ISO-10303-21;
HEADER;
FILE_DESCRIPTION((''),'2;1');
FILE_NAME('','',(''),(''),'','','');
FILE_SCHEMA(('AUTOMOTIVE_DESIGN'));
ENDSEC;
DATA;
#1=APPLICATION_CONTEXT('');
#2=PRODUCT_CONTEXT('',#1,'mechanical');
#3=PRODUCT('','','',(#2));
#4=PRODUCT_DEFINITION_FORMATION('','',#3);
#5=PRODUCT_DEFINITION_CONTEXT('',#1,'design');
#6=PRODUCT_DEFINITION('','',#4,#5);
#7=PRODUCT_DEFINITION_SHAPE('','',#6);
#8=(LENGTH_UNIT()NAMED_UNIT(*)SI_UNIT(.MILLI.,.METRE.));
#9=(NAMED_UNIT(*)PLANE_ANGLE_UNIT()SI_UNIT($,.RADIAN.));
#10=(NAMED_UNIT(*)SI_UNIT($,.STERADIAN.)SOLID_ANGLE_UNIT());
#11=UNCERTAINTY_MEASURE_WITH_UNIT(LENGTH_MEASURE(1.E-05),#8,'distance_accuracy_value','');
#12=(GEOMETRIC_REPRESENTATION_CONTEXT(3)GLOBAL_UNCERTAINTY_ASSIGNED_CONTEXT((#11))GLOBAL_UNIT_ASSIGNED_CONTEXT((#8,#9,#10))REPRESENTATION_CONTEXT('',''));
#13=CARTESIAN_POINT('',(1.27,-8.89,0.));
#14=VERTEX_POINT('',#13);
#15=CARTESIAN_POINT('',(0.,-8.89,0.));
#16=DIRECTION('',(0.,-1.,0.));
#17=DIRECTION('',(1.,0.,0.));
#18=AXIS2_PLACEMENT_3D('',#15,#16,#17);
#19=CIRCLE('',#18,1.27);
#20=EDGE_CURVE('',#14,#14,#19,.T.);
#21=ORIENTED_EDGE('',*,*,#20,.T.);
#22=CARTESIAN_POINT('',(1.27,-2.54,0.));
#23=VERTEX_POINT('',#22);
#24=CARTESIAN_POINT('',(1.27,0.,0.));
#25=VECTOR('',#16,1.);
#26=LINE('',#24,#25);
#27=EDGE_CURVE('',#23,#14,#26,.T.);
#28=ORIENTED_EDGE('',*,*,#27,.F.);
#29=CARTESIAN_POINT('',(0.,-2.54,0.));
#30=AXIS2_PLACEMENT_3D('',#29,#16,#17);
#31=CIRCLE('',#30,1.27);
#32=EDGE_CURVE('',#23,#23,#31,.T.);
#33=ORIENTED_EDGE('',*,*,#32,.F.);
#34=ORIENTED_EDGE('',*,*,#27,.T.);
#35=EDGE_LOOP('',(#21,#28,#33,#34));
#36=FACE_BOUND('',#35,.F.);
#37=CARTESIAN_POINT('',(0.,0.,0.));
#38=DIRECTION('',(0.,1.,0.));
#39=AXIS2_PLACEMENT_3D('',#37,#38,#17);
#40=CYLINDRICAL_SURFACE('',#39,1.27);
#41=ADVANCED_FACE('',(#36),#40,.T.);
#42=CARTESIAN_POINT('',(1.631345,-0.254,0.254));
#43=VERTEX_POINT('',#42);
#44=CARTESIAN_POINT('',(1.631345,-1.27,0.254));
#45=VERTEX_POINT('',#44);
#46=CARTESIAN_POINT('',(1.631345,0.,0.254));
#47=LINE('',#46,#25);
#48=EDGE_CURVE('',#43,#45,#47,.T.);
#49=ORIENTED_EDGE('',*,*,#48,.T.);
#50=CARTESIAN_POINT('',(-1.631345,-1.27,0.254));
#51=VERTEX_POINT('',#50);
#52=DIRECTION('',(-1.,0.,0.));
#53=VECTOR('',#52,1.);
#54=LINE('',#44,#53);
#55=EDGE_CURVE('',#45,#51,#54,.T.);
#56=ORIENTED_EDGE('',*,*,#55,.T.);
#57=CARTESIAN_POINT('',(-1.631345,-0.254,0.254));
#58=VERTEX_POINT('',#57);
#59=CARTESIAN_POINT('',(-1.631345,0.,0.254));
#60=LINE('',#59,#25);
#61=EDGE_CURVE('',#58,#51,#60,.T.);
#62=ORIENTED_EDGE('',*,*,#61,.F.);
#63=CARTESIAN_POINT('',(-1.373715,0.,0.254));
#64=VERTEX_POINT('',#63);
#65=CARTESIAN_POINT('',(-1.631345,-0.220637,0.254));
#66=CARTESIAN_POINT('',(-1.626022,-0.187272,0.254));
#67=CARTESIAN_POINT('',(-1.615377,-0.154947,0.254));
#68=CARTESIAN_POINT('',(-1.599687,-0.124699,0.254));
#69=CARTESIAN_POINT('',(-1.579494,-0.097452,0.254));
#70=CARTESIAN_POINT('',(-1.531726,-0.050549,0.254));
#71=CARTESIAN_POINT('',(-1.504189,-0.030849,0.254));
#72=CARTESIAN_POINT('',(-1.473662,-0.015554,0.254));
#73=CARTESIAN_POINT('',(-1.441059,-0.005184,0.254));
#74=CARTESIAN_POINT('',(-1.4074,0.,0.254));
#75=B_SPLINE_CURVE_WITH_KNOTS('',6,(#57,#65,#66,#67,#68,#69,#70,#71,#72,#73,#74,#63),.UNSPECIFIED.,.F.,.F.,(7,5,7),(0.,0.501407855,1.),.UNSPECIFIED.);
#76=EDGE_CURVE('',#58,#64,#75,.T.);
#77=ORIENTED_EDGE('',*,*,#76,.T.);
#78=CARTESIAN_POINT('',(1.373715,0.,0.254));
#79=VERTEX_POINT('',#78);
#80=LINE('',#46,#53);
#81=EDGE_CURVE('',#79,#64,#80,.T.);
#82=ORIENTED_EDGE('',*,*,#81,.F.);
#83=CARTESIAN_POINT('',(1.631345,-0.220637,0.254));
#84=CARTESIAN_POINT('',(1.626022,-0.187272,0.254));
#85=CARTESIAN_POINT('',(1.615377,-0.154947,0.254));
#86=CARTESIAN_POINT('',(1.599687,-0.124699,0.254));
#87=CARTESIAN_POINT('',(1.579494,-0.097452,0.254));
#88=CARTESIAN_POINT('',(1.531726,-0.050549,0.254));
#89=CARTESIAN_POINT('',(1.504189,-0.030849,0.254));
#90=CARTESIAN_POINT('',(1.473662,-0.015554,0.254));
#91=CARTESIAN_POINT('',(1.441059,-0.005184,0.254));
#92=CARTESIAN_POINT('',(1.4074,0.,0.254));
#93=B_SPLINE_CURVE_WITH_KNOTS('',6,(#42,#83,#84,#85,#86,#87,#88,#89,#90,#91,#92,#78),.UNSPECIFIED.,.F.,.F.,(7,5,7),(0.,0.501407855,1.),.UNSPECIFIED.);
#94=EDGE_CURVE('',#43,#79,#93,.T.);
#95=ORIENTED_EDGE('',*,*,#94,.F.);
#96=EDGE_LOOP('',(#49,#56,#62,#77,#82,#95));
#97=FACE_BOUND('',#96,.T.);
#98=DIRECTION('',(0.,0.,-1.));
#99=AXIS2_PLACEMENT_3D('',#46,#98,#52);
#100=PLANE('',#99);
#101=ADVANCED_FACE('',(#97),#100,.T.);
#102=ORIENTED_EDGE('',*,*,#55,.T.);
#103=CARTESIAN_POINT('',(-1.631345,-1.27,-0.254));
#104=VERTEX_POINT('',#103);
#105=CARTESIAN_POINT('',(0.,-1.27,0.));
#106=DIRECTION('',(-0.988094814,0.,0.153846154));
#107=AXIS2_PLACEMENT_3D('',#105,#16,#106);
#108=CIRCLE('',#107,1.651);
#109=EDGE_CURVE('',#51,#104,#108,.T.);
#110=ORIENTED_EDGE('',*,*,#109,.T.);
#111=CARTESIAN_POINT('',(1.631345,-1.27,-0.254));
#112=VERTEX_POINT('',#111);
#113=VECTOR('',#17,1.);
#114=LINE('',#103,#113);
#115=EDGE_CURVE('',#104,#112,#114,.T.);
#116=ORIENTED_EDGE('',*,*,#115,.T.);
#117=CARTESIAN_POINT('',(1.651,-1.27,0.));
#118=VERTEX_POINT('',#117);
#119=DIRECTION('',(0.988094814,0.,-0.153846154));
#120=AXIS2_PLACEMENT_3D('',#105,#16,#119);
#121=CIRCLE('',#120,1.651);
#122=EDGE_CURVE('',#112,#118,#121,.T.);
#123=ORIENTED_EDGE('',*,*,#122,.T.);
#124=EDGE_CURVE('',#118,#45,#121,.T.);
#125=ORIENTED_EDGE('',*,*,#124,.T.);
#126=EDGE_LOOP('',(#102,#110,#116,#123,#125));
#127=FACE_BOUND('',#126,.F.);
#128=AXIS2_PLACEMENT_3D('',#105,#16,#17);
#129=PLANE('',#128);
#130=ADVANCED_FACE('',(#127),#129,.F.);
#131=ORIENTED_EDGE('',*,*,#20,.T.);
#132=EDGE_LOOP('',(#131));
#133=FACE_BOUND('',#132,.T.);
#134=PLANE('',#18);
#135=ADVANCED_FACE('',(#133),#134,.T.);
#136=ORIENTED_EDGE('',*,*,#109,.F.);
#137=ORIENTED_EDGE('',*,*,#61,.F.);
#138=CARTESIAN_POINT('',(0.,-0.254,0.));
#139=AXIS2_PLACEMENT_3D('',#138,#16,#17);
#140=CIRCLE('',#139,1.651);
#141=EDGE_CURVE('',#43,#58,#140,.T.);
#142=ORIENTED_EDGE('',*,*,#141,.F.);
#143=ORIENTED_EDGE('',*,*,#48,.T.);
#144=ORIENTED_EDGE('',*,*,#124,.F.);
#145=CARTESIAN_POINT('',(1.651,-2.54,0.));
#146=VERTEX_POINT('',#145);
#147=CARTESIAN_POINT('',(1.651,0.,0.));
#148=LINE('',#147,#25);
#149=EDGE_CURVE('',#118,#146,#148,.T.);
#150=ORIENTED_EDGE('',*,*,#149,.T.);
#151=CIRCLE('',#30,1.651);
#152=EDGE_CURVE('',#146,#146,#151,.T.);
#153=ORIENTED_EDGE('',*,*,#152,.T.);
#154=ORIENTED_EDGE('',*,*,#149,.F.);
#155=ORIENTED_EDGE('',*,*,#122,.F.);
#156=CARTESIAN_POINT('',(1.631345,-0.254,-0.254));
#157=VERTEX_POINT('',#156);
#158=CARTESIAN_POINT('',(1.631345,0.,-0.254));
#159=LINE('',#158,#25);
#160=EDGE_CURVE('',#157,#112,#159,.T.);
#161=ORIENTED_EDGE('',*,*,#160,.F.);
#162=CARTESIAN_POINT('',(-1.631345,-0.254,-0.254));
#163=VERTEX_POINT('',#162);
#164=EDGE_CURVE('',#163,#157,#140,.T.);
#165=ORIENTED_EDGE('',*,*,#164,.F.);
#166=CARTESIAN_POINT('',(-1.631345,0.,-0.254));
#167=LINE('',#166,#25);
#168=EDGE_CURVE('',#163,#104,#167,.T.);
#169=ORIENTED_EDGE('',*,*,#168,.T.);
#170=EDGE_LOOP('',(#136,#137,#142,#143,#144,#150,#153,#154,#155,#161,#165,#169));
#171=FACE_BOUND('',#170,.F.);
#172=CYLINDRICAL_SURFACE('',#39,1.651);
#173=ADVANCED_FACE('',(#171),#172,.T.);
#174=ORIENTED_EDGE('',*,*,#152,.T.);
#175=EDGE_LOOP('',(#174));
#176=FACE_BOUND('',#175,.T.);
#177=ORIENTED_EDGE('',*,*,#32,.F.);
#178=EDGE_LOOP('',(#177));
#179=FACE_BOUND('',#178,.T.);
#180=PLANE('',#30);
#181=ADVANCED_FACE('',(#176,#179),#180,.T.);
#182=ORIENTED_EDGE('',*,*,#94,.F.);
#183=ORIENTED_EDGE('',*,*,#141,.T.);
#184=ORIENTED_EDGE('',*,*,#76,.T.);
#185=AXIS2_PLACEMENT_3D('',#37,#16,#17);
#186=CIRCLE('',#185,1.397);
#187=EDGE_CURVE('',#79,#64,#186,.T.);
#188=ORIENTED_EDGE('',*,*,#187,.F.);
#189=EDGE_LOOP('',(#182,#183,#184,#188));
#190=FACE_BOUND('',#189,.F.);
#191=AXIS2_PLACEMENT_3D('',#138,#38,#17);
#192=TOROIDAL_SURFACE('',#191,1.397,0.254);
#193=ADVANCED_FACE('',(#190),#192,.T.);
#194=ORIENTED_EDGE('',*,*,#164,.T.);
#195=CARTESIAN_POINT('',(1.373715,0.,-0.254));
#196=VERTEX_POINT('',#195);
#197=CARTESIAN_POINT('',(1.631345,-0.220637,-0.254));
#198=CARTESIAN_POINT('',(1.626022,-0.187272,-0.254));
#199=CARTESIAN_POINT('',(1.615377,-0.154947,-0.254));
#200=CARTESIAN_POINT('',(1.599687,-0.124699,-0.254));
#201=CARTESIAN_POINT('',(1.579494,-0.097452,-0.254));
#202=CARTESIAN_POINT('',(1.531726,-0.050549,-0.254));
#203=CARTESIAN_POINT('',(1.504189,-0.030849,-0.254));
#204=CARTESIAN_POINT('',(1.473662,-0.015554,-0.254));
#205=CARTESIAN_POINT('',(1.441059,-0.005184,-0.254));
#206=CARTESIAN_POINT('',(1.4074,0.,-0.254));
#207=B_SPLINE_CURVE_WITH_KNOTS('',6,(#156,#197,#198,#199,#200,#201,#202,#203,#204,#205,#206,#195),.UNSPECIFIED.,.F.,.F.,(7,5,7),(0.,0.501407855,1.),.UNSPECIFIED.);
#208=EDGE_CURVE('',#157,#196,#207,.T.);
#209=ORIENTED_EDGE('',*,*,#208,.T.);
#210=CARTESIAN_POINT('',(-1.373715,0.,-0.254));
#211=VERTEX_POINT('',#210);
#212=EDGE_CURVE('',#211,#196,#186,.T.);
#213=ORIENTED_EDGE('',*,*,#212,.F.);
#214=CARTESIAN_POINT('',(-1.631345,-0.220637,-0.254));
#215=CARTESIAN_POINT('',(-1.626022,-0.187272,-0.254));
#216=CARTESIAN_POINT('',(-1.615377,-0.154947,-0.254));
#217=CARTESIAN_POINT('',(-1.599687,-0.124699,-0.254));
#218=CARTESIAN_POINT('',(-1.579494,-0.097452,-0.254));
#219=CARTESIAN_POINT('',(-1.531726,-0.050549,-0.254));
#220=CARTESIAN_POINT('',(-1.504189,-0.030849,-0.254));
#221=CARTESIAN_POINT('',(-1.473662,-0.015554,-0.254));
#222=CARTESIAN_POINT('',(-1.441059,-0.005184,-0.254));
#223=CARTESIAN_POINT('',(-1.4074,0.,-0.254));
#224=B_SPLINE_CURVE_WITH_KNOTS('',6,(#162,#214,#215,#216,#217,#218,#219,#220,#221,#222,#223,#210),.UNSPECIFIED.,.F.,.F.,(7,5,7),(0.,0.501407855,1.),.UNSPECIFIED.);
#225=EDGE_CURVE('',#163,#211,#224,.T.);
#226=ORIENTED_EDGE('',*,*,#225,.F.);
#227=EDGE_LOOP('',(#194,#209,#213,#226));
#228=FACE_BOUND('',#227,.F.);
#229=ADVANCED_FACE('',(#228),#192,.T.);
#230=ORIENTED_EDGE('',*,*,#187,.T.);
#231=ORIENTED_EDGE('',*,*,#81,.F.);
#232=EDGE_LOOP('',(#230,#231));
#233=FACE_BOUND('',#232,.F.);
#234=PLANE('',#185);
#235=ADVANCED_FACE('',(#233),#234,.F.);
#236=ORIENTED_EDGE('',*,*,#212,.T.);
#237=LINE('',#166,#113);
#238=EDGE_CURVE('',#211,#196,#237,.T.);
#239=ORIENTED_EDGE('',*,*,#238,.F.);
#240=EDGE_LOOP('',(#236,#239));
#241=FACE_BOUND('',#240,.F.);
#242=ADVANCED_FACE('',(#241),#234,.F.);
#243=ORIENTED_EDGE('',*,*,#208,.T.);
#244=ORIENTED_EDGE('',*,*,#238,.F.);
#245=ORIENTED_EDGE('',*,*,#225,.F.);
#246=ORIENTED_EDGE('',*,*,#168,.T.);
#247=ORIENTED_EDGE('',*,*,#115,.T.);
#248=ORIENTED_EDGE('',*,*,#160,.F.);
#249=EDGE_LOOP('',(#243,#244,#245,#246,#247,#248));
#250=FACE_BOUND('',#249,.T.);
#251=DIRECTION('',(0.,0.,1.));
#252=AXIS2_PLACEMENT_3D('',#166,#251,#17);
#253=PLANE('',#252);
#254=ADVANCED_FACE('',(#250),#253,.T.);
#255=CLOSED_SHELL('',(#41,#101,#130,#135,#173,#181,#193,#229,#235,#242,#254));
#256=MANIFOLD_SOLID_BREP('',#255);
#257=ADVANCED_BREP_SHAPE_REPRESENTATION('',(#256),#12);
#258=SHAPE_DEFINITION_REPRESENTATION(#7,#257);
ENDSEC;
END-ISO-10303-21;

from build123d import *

# Parameters (mm, degrees)
F0_R     = 1.651
F0_R_2   = 1.27
F1_DEPTH = 2.54
F2_DEPTH = 8.89
F3_R     = 0.254
F5_DEPTH = 1.27


with BuildPart() as f1:
    # F0 (on Front) → F1 (new body)
    with BuildSketch(Plane.XZ):
        Circle(F0_R)
        Circle(F0_R_2, mode=Mode.SUBTRACT)
    extrude(amount=F1_DEPTH)

    # F0 (on Front) → F2 (join)
    with BuildSketch(Plane.XZ):
        Circle(F0_R_2)
    extrude(amount=F2_DEPTH)

    # F3
    f3_edges = [f1.edges().sort_by_distance(p)[0] for p in [
        (-1.651, 0, 0),
    ]]
    fillet(f3_edges, radius=F3_R)

    # F4 (on face) → F5 (cut)
    with BuildSketch(Plane.XZ):
        with BuildLine():
            Line((1.6313445375, 0.254), (-1.6313445375, 0.254))
            ThreePointArc((-1.6313445375, 0.254), (-1.651, 0), (-1.6313445375, -0.254))
            Line((-1.6313445375, -0.254), (1.6313445375, -0.254))
            ThreePointArc((1.6313445375, -0.254), (1.651, 0), (1.6313445375, 0.254))
        make_face()
    extrude(amount=F5_DEPTH, mode=Mode.SUBTRACT)


solid = f1.part
